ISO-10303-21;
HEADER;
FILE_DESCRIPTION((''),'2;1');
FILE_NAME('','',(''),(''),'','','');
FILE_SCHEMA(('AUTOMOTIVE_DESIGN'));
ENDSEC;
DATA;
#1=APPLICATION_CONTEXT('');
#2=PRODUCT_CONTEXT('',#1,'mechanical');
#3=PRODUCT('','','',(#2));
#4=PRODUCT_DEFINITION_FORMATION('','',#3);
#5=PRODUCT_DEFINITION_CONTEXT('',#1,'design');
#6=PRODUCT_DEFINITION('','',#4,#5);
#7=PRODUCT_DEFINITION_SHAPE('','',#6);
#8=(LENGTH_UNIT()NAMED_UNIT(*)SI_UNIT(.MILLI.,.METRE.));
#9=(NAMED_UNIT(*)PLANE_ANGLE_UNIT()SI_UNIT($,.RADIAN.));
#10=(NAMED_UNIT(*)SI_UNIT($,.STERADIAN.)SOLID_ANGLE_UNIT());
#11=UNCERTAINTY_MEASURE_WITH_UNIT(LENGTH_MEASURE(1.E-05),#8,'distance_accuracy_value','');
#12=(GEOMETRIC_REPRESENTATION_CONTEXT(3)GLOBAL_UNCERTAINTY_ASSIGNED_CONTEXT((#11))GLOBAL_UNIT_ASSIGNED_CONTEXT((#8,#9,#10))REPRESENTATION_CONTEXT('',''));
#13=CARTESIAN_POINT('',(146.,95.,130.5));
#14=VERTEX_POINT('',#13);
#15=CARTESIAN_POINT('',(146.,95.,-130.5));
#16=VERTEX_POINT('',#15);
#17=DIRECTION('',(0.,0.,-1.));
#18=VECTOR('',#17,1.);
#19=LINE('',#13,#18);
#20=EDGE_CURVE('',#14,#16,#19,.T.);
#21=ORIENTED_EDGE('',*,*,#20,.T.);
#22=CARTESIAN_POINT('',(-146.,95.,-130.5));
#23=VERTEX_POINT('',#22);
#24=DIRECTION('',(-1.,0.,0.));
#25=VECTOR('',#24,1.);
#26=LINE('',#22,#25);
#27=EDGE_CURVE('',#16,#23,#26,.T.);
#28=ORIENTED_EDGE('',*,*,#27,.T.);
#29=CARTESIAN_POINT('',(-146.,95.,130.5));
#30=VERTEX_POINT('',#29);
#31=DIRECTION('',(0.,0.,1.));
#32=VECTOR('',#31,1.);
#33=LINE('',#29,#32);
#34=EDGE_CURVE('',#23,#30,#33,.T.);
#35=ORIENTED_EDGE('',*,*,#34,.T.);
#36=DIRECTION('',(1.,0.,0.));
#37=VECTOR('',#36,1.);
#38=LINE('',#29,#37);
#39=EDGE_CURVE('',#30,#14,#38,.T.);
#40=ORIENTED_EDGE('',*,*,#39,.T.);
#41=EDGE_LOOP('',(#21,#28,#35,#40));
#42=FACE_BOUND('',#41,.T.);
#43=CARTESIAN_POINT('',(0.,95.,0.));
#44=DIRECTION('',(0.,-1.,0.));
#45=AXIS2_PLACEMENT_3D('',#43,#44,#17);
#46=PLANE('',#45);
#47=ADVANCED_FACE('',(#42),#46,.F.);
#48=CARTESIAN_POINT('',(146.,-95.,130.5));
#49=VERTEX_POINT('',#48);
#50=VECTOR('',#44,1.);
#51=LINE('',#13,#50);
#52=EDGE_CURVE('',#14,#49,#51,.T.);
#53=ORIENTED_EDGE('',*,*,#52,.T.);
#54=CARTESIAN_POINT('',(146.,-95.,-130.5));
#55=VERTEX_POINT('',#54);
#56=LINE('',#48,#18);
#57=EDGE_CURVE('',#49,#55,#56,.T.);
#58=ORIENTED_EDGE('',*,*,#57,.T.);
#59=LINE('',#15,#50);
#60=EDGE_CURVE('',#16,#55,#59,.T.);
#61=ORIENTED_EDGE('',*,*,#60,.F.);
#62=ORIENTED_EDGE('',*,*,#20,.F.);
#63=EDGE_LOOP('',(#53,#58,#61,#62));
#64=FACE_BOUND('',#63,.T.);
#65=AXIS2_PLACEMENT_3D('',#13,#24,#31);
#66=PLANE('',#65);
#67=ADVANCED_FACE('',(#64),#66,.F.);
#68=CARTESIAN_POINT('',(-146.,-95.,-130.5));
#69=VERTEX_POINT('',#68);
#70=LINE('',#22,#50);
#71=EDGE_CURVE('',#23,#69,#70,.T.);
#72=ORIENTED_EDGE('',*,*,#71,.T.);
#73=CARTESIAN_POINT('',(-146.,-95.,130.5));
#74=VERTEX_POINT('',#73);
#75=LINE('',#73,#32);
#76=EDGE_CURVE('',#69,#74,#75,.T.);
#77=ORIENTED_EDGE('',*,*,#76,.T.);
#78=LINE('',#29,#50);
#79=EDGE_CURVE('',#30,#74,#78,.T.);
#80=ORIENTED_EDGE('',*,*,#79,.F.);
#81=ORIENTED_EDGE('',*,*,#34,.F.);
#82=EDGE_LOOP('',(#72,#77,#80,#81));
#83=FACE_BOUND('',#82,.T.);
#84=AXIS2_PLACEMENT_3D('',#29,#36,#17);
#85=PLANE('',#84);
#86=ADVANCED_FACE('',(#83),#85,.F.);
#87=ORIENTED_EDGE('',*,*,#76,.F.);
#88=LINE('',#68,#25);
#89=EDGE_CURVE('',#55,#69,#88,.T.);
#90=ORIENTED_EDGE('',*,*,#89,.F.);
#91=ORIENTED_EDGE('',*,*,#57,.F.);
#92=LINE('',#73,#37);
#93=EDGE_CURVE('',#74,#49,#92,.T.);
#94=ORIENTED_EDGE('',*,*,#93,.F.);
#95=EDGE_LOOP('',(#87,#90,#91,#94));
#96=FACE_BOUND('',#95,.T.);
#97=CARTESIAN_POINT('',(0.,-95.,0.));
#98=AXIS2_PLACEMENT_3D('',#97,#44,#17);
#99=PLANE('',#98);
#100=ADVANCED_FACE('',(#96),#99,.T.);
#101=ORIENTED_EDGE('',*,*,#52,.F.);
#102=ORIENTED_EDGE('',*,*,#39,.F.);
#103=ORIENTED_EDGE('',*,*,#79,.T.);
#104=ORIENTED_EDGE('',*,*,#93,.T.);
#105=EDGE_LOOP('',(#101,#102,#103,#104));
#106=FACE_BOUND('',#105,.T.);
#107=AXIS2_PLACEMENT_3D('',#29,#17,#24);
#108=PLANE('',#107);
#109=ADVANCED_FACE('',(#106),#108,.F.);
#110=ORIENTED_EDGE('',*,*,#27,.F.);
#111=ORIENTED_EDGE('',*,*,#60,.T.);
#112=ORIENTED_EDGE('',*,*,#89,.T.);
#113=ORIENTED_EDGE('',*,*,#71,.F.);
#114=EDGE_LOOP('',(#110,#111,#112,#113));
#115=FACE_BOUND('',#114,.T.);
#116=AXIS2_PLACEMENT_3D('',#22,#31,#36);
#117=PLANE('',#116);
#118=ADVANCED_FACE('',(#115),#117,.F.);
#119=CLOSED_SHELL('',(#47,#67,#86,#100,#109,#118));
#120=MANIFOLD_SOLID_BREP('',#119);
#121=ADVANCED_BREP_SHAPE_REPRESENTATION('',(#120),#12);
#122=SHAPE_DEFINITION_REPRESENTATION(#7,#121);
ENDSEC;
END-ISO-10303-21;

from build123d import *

# Parameters (mm, degrees)
SKETCH1_W           = 292
SKETCH1_H           = 261
BOSS_EXTRUDE1_DEPTH = 95


with BuildPart() as part:
    # Sketch1 → Boss-Extrude1 (new, symmetric)
    with BuildSketch(Plane(origin=(0, 0, 0), x_dir=(1, 0, 0), z_dir=(0, 1, 0))):
        Rectangle(SKETCH1_W, SKETCH1_H)
    extrude(amount=BOSS_EXTRUDE1_DEPTH, both=True)


solid = part.part
